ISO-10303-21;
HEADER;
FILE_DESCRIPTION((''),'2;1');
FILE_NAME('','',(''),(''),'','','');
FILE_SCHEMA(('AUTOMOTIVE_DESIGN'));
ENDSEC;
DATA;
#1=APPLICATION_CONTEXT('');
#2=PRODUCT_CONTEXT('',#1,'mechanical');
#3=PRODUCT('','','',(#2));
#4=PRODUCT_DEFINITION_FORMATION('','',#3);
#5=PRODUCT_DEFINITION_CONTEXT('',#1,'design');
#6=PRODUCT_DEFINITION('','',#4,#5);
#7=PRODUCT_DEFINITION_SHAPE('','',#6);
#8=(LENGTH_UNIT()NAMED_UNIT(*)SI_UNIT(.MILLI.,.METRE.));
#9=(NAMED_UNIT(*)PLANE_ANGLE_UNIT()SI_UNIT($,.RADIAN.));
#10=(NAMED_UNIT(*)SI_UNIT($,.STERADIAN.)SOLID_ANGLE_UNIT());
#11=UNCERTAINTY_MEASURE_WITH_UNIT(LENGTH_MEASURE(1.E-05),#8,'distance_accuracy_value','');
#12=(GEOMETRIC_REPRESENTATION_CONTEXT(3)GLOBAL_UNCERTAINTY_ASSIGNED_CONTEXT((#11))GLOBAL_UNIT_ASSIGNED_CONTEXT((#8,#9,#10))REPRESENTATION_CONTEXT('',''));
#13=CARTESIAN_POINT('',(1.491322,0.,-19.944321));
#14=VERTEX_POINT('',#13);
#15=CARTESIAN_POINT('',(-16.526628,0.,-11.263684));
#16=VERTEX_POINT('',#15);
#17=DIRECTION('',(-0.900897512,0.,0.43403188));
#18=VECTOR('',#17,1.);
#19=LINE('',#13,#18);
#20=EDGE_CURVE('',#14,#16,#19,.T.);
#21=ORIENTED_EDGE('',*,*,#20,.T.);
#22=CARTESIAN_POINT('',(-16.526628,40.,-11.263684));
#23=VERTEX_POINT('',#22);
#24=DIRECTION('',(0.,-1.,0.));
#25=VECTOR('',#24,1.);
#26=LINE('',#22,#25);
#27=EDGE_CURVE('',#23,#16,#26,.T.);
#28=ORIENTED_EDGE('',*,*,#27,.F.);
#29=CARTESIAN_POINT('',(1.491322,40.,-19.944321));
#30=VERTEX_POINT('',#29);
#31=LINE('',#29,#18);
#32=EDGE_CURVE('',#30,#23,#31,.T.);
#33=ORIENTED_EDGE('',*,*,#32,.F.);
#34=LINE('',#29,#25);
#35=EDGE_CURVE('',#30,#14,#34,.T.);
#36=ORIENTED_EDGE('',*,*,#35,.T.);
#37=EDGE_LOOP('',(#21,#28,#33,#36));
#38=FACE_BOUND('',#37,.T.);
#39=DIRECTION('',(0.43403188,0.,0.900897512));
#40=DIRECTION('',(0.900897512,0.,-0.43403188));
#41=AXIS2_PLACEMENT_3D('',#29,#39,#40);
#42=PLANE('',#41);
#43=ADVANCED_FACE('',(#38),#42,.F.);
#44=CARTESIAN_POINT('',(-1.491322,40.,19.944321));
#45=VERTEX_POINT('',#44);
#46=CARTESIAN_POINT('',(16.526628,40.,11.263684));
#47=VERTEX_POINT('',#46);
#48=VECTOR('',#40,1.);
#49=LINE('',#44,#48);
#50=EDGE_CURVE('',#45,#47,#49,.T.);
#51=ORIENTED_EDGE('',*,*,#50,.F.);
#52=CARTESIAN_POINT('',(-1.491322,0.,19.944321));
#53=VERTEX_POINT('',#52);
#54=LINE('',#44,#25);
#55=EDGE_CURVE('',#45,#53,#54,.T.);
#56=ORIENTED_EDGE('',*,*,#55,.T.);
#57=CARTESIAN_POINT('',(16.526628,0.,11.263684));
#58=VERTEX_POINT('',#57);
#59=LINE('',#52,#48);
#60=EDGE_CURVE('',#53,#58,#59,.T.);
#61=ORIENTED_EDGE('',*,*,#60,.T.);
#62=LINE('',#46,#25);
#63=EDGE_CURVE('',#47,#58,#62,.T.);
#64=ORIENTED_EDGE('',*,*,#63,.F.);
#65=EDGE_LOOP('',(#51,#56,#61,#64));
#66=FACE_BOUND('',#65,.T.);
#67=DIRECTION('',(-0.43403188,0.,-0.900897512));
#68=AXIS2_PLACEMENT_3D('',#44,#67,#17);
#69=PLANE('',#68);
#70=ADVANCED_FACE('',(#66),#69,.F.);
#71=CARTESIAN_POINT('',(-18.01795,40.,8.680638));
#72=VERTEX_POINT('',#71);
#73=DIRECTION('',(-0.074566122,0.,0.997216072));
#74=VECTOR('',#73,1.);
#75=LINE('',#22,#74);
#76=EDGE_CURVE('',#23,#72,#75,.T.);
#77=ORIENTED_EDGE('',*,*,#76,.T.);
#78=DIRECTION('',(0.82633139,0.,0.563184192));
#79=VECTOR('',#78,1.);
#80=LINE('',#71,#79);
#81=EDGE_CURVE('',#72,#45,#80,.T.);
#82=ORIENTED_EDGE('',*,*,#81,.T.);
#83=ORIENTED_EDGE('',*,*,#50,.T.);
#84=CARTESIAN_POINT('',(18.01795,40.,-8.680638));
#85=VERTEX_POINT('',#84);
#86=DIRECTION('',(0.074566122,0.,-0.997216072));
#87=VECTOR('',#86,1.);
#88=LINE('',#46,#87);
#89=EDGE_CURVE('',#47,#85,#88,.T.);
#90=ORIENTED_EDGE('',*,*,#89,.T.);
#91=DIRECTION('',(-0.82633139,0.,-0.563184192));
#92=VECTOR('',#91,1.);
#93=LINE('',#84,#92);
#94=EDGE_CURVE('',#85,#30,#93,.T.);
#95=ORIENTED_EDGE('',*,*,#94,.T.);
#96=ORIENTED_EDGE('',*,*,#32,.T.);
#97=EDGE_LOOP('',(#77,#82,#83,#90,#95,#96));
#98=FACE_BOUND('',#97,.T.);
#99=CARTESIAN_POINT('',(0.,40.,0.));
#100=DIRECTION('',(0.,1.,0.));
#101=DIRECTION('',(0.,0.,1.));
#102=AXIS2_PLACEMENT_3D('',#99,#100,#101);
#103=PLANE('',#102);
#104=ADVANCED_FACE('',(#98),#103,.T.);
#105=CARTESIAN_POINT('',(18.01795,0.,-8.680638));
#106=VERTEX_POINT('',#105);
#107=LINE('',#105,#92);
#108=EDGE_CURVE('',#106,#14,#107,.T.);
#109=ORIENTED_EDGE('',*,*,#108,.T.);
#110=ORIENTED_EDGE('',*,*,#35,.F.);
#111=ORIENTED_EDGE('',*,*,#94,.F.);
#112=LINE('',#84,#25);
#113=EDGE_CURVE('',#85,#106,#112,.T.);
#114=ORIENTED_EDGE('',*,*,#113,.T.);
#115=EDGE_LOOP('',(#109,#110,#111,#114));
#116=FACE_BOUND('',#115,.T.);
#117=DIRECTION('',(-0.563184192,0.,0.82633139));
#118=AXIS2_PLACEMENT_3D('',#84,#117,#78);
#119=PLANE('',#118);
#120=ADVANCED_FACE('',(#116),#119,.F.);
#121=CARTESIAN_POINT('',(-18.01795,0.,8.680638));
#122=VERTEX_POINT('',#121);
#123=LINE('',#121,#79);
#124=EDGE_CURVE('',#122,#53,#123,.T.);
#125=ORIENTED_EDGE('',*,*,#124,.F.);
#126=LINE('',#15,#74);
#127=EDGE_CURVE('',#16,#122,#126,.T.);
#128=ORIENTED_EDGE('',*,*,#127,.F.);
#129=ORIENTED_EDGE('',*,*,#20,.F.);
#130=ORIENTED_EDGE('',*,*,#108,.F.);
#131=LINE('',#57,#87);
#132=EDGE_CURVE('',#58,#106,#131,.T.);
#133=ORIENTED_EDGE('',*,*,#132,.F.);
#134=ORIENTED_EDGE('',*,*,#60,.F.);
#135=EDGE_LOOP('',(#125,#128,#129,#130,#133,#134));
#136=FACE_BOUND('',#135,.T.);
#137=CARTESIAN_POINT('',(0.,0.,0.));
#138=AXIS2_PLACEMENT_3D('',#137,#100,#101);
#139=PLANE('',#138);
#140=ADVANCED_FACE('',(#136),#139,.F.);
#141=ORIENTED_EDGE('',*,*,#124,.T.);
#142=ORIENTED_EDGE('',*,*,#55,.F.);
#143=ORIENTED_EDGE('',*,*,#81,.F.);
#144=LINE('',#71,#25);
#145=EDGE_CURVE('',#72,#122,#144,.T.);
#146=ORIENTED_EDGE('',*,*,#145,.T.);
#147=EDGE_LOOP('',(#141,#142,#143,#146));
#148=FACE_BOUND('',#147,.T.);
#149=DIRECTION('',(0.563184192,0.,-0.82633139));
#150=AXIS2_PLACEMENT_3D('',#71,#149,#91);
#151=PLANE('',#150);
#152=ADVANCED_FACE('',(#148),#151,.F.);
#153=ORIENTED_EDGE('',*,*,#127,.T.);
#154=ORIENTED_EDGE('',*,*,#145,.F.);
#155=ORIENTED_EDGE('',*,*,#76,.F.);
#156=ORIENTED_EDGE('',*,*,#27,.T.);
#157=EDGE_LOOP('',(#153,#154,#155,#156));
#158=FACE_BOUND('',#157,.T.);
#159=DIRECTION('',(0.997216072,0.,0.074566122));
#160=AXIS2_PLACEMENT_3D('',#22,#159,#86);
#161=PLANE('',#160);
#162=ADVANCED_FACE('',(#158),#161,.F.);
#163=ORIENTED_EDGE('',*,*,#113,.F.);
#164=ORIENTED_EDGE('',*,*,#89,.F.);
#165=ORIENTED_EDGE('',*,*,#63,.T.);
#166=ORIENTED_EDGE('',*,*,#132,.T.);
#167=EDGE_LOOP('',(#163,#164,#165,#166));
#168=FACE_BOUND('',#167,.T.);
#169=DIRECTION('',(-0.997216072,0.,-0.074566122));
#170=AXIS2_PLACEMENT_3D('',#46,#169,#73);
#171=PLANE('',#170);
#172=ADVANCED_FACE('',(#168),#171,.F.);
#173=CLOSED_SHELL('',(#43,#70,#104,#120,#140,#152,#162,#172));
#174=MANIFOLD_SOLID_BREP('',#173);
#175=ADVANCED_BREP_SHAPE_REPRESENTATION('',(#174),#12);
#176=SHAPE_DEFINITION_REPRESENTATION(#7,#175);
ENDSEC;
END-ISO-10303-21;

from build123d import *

# Parameters (mm, degrees)
EXTRUDE_1_DEPTH = 40


with BuildPart() as part:
    # 草图1 → 凸台-拉伸1 (new body)
    with BuildSketch(Plane(origin=(0, 0, 0), x_dir=(1, 0, 0), z_dir=(0, 1, 0))):
        Polygon((16.526627804, -11.263683831), (18.017950239, 8.680637602), (1.491322436, 19.944321432), (-16.526627804, 11.263683831), (-18.017950239, -8.680637602), (-1.491322436, -19.944321432), align=None)
    extrude(amount=EXTRUDE_1_DEPTH)


solid = part.part
